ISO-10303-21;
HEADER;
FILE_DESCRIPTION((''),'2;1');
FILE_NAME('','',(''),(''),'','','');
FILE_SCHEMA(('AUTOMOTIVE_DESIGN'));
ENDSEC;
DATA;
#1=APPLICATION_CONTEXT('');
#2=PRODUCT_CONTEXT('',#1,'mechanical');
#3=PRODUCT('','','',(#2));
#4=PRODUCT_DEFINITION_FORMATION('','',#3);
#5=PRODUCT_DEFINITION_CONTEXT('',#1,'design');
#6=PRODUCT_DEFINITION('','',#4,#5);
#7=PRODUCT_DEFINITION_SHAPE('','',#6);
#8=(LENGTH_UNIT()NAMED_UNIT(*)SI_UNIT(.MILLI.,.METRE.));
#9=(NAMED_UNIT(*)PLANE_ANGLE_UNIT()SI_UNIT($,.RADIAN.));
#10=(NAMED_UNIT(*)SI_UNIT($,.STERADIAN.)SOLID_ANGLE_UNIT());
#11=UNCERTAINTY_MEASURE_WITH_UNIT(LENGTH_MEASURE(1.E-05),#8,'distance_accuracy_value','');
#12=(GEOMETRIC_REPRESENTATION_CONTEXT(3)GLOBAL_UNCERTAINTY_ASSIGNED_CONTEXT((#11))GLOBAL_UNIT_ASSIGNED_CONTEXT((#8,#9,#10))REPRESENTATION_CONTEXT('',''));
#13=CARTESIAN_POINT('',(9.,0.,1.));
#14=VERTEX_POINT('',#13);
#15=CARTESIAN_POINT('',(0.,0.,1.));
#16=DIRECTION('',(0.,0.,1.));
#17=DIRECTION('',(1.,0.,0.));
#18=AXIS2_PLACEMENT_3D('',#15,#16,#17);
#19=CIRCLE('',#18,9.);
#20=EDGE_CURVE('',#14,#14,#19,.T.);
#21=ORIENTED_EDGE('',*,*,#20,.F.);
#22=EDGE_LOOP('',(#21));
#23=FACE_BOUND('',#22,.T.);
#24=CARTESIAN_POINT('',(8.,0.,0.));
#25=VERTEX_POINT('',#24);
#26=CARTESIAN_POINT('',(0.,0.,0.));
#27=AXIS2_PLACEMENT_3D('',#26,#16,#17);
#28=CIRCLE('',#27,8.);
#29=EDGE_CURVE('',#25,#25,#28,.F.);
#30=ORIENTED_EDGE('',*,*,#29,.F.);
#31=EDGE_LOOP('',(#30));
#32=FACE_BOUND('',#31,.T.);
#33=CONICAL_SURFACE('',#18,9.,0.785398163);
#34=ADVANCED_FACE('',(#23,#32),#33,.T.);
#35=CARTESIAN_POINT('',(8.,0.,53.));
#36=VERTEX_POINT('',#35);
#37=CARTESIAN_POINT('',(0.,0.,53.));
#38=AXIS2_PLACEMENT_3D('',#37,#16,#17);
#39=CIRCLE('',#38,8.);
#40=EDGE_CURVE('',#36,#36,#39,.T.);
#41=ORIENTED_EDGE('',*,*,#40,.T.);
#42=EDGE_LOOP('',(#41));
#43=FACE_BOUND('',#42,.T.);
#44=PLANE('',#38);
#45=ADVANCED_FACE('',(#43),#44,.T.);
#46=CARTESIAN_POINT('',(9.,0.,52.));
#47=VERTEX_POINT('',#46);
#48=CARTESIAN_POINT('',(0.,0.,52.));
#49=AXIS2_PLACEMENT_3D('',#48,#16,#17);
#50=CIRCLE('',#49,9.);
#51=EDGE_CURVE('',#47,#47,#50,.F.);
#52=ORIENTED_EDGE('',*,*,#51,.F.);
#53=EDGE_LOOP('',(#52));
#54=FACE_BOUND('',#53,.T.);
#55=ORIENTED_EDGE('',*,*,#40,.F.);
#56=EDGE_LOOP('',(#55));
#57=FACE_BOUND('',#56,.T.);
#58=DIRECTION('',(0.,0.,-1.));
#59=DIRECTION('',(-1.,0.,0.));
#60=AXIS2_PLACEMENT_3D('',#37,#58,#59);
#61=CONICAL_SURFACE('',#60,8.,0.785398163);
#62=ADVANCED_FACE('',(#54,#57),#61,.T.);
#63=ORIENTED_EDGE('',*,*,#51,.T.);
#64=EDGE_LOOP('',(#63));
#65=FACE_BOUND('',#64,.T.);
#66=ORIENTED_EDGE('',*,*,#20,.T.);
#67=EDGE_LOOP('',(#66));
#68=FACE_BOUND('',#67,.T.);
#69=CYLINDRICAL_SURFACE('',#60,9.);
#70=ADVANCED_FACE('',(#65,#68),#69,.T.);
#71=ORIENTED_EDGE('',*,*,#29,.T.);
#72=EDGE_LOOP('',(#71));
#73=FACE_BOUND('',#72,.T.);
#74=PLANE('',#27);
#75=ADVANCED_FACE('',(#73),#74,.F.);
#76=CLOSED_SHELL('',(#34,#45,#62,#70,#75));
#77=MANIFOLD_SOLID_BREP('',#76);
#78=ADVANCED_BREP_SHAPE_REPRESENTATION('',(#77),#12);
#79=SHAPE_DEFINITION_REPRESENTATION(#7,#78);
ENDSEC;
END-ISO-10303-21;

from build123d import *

# Parameters (mm, degrees)
IZIM1_R                     = 9
Y_KSEKLIK_EKSTR_ZYON1_DEPTH = 53
PAH1_SIZE                   = 1


with BuildPart() as part:
    # Çizim1 → Yükseklik-Ekstrüzyon1 (new body)
    with BuildSketch(Plane.XY):
        Circle(IZIM1_R)
    extrude(amount=Y_KSEKLIK_EKSTR_ZYON1_DEPTH)

    # Pah1
    pah1_edges = [part.edges().sort_by_distance(p)[0] for p in [
        (-9, 0, 0),
        (-9, 0, 53),
    ]]
    chamfer(pah1_edges, length=PAH1_SIZE)


solid = part.part
